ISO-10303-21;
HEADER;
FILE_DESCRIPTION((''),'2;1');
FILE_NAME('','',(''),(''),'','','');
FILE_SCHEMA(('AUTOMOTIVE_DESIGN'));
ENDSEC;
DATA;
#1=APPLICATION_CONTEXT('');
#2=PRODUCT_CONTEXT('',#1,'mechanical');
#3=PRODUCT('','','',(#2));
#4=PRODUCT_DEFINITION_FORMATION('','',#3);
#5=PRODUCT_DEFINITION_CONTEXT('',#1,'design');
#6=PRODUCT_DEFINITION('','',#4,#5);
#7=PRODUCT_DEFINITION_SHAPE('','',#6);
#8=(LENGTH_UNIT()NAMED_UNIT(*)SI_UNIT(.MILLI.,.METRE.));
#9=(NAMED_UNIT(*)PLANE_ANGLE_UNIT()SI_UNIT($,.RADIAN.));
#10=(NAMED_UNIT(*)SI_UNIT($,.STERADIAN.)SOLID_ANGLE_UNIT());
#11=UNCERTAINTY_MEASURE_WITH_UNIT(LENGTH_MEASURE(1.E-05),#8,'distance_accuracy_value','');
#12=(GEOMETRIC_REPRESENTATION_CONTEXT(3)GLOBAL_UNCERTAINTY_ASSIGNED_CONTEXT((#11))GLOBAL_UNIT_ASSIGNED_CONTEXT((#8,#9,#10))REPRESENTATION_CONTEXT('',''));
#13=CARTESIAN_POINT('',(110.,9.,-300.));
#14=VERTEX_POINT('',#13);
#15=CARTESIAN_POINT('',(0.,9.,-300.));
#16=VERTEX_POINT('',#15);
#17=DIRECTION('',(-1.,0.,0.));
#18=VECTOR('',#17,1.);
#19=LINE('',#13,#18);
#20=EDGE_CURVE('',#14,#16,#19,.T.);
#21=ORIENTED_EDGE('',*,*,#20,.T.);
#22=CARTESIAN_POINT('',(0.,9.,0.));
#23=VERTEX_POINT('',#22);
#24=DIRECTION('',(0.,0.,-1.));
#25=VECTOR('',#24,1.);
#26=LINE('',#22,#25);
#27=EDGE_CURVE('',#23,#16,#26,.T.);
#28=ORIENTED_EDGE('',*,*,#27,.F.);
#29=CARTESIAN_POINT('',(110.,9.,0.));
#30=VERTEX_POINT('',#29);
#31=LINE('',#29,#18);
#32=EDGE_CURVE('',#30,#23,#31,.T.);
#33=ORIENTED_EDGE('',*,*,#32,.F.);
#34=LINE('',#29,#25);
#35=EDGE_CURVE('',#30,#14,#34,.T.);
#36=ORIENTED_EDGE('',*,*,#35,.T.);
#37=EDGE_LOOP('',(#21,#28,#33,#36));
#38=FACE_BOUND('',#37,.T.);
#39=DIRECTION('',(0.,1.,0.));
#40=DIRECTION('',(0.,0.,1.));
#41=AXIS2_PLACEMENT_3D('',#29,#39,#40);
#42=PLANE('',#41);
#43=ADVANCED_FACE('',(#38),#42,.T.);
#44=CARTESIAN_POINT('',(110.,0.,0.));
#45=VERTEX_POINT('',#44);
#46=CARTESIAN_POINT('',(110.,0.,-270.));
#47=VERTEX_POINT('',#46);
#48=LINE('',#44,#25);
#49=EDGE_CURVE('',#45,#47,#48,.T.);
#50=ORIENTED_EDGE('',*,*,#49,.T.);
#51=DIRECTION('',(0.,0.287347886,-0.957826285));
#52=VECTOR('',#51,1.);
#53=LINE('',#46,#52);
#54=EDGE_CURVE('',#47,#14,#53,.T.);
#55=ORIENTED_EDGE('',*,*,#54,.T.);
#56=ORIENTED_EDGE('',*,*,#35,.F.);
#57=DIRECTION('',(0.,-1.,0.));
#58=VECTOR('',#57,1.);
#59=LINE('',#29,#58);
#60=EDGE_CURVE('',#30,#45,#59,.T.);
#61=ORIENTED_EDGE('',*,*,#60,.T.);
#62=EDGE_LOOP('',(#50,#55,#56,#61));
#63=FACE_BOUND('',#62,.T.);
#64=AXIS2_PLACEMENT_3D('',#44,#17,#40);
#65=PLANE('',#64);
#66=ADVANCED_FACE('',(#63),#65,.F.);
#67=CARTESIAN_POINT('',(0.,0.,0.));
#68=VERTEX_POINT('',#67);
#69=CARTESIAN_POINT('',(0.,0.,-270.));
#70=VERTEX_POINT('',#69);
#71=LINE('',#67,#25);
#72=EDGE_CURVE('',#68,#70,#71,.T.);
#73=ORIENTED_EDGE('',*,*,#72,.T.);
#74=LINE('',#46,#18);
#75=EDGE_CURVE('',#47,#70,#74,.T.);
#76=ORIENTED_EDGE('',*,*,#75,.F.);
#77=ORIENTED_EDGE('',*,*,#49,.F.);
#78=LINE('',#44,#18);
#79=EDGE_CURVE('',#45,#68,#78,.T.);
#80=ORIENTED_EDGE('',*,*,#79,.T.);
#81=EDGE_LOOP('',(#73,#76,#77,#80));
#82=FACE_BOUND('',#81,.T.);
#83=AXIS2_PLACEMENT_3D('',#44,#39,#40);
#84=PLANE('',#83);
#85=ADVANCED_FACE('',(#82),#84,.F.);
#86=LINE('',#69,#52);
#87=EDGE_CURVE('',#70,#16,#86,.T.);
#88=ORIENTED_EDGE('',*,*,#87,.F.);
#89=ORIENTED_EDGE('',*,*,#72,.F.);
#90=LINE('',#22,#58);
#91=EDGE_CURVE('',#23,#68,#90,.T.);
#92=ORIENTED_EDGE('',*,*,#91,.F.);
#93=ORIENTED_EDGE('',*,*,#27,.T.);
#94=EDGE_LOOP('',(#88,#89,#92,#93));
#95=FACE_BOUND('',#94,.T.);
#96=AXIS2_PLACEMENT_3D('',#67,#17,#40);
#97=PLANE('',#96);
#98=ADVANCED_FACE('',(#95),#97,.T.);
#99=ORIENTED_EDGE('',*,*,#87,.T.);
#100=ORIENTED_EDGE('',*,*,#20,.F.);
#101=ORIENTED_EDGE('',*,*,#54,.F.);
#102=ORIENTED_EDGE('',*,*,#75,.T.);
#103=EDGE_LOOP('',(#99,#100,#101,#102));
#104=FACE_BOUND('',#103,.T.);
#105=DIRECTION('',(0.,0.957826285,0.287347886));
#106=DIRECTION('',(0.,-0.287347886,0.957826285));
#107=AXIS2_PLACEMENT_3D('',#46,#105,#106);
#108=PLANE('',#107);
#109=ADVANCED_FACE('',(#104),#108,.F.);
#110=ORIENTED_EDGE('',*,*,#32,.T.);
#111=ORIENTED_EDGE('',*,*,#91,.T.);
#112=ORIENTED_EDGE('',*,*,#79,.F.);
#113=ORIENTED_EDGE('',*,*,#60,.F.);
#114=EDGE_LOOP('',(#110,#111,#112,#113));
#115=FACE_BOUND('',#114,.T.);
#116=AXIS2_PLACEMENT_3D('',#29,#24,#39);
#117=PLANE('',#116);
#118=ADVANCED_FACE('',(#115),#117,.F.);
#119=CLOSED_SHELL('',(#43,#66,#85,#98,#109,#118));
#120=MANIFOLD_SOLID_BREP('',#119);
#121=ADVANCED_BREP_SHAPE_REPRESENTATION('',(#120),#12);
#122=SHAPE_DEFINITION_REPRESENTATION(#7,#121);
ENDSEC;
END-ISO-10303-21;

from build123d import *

# Parameters (mm, degrees)
BOSS_EXTRUDE1_DEPTH = 110


with BuildPart() as part:
    # Sketch1 → Boss-Extrude1 (new body)
    with BuildSketch(Plane(origin=(0, 0, 0), x_dir=(0, 0, -1), z_dir=(1, 0, 0))):
        Polygon((0, 9), (0, 0), (270, 0), (300, 9), align=None)
    extrude(amount=BOSS_EXTRUDE1_DEPTH)


solid = part.part
